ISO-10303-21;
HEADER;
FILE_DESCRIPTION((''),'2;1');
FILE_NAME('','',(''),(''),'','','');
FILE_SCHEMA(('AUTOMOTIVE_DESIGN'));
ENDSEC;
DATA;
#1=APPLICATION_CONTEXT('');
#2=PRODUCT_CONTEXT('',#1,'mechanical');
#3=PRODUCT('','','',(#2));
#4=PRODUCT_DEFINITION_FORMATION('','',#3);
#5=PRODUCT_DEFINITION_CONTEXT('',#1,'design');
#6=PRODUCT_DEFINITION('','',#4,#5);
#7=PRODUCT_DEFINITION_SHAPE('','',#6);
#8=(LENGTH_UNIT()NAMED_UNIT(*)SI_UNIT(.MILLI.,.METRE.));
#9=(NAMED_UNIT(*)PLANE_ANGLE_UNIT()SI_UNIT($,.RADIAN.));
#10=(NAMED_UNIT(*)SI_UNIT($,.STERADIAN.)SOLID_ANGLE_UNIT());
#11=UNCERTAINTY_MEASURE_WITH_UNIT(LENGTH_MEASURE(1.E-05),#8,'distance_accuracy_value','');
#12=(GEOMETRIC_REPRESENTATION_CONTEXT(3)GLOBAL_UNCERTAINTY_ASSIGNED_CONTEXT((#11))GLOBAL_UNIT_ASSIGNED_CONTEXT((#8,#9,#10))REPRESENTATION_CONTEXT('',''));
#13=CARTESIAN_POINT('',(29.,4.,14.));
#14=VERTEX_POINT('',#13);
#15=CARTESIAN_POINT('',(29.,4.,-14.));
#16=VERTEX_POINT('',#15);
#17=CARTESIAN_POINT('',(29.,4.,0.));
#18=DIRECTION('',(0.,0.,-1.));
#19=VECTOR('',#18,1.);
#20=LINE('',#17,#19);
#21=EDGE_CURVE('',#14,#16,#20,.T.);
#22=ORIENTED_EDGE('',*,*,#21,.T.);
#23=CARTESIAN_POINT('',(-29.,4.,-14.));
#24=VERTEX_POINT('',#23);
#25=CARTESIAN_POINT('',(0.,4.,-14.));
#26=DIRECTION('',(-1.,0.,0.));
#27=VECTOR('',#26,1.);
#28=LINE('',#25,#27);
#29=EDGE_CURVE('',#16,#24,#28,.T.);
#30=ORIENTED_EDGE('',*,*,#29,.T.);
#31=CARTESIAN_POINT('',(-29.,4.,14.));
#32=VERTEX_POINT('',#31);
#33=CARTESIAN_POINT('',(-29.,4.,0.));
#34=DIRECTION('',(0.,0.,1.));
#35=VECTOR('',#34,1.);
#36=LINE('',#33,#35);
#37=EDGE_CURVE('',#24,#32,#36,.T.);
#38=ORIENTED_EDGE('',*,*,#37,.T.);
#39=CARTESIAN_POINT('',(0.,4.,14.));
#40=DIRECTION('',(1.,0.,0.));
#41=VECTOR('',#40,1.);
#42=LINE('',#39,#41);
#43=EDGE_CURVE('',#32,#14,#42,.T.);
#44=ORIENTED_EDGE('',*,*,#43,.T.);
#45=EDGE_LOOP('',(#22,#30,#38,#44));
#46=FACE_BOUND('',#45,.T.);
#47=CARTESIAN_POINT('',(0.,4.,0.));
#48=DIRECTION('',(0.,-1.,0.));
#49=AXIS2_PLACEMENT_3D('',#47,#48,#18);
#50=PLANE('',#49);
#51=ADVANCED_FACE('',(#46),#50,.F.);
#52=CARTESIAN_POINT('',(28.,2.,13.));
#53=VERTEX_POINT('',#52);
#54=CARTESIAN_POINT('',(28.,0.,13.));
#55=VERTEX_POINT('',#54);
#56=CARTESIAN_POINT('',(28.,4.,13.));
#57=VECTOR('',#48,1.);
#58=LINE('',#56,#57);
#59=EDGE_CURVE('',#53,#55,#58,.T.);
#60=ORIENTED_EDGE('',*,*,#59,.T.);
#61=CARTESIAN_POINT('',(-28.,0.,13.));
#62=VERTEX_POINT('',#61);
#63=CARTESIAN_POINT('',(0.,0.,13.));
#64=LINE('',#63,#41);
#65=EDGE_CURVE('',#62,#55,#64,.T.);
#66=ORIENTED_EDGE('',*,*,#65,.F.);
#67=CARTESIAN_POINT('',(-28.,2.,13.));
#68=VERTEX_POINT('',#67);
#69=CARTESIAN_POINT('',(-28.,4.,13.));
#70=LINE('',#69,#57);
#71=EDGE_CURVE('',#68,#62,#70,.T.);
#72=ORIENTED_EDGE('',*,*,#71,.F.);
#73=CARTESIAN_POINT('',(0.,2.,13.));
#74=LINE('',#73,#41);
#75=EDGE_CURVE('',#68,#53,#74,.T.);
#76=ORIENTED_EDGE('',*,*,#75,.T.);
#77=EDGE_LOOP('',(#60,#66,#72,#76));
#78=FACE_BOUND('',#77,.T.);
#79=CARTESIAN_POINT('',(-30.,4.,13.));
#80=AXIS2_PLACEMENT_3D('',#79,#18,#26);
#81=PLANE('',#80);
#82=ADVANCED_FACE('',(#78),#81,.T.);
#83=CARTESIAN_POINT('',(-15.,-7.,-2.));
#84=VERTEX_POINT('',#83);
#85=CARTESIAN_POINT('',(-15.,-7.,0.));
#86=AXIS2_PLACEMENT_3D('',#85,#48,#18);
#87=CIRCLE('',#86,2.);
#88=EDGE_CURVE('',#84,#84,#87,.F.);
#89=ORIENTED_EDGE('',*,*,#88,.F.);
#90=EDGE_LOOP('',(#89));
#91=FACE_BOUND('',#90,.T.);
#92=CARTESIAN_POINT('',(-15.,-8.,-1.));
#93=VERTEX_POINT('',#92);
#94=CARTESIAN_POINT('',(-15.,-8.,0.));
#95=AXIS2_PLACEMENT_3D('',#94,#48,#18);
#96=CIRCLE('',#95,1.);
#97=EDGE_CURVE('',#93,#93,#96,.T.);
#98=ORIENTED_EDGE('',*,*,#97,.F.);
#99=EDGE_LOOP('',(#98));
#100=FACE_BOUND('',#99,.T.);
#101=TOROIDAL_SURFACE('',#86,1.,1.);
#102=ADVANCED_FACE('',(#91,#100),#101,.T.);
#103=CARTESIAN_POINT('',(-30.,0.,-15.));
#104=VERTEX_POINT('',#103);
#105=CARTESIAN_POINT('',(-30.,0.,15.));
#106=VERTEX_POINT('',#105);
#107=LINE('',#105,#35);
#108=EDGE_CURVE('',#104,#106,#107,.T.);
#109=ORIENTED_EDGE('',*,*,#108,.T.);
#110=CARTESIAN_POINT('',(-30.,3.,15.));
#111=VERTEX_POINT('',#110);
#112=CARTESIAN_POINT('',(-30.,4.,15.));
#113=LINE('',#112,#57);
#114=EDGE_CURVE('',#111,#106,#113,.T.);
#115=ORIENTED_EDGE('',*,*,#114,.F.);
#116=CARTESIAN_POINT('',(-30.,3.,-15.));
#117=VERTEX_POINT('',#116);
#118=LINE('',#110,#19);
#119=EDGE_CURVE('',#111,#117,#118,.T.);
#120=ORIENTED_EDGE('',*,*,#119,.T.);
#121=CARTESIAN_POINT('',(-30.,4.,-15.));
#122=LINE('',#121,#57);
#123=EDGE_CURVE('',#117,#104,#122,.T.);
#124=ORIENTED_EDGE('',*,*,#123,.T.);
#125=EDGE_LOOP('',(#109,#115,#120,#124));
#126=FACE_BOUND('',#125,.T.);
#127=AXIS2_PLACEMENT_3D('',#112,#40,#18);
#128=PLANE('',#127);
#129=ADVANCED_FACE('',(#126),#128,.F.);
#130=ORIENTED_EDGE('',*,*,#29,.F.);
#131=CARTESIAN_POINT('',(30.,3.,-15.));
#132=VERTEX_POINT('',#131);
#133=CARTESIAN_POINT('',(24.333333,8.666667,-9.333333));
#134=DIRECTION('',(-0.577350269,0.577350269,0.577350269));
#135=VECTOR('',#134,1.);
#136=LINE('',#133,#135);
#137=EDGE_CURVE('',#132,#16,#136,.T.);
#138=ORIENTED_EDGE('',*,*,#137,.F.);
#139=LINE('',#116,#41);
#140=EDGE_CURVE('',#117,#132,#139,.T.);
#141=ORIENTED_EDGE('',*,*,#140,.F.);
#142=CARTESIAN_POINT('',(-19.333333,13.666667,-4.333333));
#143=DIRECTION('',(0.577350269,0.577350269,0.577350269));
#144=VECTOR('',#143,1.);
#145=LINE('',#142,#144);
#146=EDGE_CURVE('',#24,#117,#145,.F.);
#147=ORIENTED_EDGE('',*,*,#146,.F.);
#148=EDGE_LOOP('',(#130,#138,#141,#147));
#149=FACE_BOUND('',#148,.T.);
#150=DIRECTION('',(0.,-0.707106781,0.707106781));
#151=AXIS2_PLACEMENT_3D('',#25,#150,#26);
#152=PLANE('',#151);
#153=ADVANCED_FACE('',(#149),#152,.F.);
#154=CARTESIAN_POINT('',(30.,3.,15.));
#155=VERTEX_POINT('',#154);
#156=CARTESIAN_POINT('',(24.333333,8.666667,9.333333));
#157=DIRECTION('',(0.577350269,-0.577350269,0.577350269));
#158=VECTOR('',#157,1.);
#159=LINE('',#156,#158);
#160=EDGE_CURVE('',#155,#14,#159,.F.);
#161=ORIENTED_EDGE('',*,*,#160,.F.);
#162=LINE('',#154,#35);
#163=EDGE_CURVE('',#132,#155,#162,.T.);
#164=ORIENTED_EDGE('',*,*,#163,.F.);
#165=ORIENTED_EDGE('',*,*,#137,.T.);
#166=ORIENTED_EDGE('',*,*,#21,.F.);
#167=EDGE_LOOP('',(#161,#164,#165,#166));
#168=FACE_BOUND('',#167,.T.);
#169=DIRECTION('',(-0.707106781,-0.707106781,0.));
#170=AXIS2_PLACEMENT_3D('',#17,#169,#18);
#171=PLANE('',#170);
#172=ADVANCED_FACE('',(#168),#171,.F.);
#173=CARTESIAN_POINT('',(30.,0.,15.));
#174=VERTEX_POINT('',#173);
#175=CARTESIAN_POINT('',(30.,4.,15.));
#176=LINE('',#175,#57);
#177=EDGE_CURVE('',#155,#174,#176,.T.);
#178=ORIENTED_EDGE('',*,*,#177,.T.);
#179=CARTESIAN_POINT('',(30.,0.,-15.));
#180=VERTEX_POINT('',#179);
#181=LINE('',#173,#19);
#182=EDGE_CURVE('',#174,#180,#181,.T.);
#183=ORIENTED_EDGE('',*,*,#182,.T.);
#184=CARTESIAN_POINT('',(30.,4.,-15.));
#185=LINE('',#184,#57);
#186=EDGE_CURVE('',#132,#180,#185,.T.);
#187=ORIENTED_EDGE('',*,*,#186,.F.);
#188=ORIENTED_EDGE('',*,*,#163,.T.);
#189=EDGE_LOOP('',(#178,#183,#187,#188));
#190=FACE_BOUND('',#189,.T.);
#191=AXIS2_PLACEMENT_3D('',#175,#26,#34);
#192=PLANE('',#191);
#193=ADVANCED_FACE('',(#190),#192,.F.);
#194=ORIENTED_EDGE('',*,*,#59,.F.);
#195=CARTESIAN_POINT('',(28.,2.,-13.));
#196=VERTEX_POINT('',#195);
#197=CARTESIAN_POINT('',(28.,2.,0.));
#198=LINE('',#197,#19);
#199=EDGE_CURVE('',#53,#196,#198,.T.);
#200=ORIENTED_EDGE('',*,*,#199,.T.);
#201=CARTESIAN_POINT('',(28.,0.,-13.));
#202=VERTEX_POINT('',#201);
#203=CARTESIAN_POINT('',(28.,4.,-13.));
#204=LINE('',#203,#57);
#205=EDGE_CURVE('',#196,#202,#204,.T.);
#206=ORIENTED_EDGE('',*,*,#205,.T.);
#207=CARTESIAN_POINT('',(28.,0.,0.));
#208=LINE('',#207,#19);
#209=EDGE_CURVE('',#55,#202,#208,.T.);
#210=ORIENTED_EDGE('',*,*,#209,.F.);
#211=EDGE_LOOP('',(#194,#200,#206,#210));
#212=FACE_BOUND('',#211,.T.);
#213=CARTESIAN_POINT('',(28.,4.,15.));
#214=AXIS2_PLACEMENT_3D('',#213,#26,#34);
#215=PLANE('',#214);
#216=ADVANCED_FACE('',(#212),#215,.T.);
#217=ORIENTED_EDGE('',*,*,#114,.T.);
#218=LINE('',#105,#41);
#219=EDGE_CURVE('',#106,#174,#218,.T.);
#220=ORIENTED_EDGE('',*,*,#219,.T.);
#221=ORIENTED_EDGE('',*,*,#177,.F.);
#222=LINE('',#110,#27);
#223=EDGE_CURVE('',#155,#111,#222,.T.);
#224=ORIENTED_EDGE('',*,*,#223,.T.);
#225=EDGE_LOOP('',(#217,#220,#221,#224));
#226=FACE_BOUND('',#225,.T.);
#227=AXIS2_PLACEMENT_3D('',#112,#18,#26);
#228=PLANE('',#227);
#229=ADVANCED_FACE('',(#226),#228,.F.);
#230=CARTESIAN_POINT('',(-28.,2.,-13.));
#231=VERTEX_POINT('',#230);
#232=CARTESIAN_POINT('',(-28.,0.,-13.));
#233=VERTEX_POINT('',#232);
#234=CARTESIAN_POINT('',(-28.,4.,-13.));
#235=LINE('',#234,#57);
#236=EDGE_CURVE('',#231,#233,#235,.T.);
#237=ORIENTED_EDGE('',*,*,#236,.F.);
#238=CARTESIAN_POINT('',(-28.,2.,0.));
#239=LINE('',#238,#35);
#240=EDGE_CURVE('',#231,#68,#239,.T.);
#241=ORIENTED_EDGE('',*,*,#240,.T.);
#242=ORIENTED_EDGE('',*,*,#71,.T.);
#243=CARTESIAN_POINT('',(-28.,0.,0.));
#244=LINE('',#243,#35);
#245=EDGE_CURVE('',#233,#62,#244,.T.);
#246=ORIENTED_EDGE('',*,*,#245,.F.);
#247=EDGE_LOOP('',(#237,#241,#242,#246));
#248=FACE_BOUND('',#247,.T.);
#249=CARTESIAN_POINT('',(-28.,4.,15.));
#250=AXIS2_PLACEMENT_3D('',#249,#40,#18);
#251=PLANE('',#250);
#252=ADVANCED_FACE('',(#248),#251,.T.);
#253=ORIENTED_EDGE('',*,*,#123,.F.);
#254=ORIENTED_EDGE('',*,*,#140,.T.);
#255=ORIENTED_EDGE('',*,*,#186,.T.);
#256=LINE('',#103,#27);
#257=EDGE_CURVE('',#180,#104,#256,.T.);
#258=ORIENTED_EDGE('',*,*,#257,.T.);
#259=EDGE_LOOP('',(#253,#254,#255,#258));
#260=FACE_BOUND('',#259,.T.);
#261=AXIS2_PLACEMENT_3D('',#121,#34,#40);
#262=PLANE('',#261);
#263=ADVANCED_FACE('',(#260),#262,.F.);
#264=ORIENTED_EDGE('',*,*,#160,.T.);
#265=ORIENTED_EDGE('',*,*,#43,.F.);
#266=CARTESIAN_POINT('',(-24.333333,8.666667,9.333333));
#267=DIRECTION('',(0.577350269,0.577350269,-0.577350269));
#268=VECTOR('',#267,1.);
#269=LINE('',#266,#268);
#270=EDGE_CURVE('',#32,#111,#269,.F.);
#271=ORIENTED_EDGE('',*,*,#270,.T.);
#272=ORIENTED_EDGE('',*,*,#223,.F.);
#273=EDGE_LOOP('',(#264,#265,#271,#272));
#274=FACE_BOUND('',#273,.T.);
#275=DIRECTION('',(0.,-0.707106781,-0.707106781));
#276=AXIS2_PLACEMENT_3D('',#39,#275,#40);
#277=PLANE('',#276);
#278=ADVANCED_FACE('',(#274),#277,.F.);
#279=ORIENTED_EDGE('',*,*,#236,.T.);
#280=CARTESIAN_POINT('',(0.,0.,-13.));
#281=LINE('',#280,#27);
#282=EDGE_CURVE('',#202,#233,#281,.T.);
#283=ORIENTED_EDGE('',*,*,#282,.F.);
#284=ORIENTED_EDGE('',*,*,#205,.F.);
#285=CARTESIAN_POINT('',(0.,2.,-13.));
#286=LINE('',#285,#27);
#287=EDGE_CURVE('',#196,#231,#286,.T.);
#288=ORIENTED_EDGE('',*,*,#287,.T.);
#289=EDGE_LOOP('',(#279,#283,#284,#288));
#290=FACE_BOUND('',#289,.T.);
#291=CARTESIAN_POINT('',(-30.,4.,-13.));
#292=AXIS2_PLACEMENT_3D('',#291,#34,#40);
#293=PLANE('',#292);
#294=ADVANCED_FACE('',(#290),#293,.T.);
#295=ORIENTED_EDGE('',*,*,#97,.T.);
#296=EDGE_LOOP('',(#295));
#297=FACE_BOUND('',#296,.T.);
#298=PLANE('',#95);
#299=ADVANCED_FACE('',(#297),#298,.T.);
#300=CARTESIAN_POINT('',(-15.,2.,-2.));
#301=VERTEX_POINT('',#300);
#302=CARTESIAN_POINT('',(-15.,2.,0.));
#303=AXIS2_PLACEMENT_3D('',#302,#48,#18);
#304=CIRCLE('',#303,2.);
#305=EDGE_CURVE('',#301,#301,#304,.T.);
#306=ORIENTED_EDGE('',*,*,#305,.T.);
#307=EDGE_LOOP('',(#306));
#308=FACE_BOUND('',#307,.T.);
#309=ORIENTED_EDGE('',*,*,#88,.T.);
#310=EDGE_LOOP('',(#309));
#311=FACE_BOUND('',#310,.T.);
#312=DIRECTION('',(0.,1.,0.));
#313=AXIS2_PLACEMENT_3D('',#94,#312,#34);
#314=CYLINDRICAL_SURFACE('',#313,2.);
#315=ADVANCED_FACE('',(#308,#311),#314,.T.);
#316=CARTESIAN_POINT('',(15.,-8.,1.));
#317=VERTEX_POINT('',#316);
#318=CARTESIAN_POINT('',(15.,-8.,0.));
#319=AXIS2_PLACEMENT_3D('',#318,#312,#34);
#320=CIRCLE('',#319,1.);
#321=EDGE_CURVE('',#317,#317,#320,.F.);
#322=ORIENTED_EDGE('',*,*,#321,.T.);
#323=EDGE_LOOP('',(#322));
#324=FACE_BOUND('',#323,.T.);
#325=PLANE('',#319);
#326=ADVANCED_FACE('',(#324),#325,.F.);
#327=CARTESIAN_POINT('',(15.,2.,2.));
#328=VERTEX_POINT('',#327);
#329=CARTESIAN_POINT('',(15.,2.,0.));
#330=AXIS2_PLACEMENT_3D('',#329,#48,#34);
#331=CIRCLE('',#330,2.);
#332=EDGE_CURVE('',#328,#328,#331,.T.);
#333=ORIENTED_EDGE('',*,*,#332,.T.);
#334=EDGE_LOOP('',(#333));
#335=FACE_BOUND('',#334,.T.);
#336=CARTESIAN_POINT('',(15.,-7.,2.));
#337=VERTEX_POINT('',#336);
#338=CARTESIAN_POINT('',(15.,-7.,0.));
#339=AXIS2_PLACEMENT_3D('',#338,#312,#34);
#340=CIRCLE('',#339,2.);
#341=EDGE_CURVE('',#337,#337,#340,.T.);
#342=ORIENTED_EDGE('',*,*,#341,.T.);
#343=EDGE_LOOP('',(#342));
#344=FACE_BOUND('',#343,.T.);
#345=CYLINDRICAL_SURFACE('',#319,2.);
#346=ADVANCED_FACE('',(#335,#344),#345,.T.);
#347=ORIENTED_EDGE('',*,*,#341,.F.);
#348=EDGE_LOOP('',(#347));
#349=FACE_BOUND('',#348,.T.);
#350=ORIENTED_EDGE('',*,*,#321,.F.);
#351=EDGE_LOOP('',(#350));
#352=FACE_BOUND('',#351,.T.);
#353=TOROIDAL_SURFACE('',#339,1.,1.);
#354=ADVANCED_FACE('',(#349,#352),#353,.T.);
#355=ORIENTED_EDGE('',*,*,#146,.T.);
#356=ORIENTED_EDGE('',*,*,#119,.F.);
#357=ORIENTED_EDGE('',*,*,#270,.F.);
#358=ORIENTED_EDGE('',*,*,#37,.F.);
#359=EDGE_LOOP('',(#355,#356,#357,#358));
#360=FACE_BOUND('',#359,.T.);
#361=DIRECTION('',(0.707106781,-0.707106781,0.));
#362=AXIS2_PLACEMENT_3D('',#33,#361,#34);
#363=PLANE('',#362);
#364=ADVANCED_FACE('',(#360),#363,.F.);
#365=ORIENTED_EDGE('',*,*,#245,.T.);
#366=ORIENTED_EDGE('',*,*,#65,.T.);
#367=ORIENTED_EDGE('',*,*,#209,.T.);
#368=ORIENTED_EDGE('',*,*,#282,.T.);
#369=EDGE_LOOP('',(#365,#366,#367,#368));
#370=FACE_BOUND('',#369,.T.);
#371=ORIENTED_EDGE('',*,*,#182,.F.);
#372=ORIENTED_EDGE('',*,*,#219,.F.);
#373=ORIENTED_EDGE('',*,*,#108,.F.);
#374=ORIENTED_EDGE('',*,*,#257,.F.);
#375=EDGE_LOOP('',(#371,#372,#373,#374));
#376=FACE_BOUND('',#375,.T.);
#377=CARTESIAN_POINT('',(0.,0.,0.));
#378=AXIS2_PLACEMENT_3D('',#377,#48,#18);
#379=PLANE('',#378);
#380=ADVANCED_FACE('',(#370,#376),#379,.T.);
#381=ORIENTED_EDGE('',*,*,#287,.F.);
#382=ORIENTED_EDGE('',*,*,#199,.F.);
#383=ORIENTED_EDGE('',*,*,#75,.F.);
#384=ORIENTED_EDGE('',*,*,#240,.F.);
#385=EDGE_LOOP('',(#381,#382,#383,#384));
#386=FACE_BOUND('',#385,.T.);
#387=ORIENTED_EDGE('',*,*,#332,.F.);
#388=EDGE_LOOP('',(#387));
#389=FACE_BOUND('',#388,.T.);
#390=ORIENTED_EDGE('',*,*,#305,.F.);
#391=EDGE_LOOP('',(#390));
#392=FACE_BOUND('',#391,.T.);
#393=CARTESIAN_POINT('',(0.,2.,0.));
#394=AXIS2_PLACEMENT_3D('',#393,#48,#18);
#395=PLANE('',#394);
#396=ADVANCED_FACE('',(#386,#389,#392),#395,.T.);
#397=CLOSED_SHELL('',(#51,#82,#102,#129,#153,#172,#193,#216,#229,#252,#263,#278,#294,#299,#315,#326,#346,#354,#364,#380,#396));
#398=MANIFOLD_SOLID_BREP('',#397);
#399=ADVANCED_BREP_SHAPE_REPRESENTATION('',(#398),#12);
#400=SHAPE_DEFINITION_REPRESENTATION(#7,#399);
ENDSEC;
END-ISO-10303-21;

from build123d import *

# Parameters (mm, degrees)
SKETCH1_W           = 60
SKETCH1_H           = 30
BOSS_EXTRUDE1_DEPTH = 4
SHELL1_T            = -2
SKETCH2_R           = 2
BOSS_EXTRUDE2_DEPTH = 10
FILLET1_R           = 1
CHAMFER1_SIZE       = 1


with BuildPart() as part:
    # Sketch1 → Boss-Extrude1 (new body)
    with BuildSketch(Plane(origin=(0, 0, 0), x_dir=(1, 0, 0), z_dir=(0, 1, 0))):
        Rectangle(SKETCH1_W, SKETCH1_H)
    extrude(amount=BOSS_EXTRUDE1_DEPTH)

    # Shell1
    shell1_openings = [part.faces().sort_by_distance(p)[0] for p in [
        (0, 0, 0),
    ]]
    offset(amount=SHELL1_T, openings=shell1_openings, kind=Kind.INTERSECTION)

    # Sketch2 → Boss-Extrude2 (add)
    with BuildSketch(Plane.XZ.offset(-2)):
        with Locations((-15, 0)):
            Circle(SKETCH2_R)
        with Locations((15, 0)):
            Circle(SKETCH2_R)
    extrude(amount=BOSS_EXTRUDE2_DEPTH)

    # Fillet1
    fillet1_edges = [part.edges().sort_by_distance(p)[0] for p in [
        (-17, -8, 0),
        (13, -8, 0),
    ]]
    fillet(fillet1_edges, radius=FILLET1_R)

    # Chamfer1
    chamfer1_edges = [part.edges().sort_by_distance(p)[0] for p in [
        (-30, 4, 0),
        (0, 4, 15),
        (30, 4, 0),
        (0, 4, -15),
    ]]
    chamfer(chamfer1_edges, length=CHAMFER1_SIZE)


solid = part.part
